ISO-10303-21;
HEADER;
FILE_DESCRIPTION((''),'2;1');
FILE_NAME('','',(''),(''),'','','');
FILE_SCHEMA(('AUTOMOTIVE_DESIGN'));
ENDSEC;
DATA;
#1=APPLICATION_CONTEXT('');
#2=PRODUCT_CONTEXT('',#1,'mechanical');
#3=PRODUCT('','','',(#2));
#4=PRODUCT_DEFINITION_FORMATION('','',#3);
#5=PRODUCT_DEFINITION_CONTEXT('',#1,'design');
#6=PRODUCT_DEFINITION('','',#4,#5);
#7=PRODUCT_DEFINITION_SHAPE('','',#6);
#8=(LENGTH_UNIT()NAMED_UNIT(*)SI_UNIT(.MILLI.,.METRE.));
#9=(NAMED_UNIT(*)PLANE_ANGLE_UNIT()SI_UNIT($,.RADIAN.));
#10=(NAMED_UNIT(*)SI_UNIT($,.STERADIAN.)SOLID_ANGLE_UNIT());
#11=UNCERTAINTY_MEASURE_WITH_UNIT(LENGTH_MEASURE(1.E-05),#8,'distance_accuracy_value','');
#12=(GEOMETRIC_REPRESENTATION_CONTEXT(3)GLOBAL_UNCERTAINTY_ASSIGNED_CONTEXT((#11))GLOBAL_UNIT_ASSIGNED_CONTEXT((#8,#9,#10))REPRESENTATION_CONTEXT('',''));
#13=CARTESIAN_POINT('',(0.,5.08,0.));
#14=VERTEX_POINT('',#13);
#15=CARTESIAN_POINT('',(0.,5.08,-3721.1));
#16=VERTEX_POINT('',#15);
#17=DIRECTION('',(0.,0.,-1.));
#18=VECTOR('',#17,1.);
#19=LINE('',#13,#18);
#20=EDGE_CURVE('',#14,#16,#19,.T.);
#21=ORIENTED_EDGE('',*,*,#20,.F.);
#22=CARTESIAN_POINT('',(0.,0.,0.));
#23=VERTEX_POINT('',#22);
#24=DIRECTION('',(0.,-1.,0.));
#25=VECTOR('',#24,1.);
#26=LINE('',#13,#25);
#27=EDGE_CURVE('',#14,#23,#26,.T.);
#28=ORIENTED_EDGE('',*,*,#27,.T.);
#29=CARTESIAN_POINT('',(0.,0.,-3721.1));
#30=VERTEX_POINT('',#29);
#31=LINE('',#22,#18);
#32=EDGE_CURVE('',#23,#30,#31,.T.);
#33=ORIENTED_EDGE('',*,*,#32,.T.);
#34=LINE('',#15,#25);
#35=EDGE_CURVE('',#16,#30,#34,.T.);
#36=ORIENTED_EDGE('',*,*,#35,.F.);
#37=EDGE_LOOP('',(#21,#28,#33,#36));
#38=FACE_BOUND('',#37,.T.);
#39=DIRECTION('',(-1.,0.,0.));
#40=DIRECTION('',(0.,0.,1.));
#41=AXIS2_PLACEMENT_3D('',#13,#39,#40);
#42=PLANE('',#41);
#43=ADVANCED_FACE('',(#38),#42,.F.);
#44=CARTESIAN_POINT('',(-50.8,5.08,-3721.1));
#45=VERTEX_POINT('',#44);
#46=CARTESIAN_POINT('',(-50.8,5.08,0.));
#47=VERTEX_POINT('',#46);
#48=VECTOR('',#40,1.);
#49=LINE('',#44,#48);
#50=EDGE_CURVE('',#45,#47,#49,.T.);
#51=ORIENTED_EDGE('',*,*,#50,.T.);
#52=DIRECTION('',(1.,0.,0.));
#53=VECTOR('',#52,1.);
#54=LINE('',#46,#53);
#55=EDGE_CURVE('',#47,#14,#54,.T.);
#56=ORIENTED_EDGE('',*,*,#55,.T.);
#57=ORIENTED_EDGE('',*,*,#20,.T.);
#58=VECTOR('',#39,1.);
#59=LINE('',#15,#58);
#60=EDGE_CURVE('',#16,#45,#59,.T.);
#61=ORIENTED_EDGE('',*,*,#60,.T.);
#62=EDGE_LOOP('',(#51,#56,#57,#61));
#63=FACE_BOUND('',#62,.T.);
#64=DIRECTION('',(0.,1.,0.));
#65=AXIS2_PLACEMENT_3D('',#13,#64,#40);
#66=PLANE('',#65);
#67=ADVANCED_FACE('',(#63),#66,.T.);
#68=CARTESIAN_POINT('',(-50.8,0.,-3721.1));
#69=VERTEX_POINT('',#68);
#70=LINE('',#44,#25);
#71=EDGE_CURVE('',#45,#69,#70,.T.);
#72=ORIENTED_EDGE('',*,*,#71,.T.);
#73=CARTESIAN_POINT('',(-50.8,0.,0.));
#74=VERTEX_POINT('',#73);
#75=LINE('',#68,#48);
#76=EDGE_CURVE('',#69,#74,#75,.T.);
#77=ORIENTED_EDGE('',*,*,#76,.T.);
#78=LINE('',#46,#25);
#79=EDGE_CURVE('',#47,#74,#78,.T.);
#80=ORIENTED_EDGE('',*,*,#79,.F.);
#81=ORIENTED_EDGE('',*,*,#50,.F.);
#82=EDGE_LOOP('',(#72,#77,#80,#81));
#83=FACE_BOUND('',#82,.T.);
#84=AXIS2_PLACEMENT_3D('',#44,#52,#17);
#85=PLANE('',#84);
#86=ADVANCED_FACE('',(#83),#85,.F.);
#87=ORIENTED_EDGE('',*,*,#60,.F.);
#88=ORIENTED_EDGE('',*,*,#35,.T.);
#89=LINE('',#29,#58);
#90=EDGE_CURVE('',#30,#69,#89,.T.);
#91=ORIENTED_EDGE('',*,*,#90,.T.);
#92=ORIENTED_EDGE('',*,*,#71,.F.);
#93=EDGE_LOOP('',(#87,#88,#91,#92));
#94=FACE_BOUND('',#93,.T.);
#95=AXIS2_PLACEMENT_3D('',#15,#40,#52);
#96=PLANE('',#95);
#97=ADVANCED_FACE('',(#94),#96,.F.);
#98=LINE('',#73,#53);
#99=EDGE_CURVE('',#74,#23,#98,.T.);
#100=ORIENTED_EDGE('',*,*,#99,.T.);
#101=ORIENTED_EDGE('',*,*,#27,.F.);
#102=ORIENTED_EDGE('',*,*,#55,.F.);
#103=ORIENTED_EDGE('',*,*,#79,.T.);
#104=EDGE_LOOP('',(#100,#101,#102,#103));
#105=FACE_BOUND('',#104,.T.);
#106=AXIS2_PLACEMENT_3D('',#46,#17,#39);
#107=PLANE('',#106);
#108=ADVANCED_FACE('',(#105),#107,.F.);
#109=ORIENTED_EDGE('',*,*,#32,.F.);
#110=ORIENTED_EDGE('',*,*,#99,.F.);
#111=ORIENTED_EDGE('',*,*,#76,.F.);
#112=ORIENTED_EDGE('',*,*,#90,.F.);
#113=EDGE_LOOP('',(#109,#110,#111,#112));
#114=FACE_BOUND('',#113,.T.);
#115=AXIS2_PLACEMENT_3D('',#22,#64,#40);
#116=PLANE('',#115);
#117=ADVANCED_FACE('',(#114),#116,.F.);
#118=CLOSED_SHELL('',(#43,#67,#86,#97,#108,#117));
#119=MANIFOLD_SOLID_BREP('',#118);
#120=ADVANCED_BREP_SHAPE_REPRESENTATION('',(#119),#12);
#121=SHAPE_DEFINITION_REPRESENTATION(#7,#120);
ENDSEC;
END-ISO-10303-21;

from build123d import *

# Parameters (mm, degrees)
SKETCH1_W           = 50.8
SKETCH1_H           = 3721.1
BOSS_EXTRUDE1_DEPTH = 5.08


with BuildPart() as part:
    # Sketch1 → Boss-Extrude1 (new body)
    with BuildSketch(Plane(origin=(0, 0, 0), x_dir=(1, 0, 0), z_dir=(0, 1, 0))):
        with Locations((-25.4, 1860.55)):
            Rectangle(SKETCH1_W, SKETCH1_H)
    extrude(amount=BOSS_EXTRUDE1_DEPTH)


solid = part.part
